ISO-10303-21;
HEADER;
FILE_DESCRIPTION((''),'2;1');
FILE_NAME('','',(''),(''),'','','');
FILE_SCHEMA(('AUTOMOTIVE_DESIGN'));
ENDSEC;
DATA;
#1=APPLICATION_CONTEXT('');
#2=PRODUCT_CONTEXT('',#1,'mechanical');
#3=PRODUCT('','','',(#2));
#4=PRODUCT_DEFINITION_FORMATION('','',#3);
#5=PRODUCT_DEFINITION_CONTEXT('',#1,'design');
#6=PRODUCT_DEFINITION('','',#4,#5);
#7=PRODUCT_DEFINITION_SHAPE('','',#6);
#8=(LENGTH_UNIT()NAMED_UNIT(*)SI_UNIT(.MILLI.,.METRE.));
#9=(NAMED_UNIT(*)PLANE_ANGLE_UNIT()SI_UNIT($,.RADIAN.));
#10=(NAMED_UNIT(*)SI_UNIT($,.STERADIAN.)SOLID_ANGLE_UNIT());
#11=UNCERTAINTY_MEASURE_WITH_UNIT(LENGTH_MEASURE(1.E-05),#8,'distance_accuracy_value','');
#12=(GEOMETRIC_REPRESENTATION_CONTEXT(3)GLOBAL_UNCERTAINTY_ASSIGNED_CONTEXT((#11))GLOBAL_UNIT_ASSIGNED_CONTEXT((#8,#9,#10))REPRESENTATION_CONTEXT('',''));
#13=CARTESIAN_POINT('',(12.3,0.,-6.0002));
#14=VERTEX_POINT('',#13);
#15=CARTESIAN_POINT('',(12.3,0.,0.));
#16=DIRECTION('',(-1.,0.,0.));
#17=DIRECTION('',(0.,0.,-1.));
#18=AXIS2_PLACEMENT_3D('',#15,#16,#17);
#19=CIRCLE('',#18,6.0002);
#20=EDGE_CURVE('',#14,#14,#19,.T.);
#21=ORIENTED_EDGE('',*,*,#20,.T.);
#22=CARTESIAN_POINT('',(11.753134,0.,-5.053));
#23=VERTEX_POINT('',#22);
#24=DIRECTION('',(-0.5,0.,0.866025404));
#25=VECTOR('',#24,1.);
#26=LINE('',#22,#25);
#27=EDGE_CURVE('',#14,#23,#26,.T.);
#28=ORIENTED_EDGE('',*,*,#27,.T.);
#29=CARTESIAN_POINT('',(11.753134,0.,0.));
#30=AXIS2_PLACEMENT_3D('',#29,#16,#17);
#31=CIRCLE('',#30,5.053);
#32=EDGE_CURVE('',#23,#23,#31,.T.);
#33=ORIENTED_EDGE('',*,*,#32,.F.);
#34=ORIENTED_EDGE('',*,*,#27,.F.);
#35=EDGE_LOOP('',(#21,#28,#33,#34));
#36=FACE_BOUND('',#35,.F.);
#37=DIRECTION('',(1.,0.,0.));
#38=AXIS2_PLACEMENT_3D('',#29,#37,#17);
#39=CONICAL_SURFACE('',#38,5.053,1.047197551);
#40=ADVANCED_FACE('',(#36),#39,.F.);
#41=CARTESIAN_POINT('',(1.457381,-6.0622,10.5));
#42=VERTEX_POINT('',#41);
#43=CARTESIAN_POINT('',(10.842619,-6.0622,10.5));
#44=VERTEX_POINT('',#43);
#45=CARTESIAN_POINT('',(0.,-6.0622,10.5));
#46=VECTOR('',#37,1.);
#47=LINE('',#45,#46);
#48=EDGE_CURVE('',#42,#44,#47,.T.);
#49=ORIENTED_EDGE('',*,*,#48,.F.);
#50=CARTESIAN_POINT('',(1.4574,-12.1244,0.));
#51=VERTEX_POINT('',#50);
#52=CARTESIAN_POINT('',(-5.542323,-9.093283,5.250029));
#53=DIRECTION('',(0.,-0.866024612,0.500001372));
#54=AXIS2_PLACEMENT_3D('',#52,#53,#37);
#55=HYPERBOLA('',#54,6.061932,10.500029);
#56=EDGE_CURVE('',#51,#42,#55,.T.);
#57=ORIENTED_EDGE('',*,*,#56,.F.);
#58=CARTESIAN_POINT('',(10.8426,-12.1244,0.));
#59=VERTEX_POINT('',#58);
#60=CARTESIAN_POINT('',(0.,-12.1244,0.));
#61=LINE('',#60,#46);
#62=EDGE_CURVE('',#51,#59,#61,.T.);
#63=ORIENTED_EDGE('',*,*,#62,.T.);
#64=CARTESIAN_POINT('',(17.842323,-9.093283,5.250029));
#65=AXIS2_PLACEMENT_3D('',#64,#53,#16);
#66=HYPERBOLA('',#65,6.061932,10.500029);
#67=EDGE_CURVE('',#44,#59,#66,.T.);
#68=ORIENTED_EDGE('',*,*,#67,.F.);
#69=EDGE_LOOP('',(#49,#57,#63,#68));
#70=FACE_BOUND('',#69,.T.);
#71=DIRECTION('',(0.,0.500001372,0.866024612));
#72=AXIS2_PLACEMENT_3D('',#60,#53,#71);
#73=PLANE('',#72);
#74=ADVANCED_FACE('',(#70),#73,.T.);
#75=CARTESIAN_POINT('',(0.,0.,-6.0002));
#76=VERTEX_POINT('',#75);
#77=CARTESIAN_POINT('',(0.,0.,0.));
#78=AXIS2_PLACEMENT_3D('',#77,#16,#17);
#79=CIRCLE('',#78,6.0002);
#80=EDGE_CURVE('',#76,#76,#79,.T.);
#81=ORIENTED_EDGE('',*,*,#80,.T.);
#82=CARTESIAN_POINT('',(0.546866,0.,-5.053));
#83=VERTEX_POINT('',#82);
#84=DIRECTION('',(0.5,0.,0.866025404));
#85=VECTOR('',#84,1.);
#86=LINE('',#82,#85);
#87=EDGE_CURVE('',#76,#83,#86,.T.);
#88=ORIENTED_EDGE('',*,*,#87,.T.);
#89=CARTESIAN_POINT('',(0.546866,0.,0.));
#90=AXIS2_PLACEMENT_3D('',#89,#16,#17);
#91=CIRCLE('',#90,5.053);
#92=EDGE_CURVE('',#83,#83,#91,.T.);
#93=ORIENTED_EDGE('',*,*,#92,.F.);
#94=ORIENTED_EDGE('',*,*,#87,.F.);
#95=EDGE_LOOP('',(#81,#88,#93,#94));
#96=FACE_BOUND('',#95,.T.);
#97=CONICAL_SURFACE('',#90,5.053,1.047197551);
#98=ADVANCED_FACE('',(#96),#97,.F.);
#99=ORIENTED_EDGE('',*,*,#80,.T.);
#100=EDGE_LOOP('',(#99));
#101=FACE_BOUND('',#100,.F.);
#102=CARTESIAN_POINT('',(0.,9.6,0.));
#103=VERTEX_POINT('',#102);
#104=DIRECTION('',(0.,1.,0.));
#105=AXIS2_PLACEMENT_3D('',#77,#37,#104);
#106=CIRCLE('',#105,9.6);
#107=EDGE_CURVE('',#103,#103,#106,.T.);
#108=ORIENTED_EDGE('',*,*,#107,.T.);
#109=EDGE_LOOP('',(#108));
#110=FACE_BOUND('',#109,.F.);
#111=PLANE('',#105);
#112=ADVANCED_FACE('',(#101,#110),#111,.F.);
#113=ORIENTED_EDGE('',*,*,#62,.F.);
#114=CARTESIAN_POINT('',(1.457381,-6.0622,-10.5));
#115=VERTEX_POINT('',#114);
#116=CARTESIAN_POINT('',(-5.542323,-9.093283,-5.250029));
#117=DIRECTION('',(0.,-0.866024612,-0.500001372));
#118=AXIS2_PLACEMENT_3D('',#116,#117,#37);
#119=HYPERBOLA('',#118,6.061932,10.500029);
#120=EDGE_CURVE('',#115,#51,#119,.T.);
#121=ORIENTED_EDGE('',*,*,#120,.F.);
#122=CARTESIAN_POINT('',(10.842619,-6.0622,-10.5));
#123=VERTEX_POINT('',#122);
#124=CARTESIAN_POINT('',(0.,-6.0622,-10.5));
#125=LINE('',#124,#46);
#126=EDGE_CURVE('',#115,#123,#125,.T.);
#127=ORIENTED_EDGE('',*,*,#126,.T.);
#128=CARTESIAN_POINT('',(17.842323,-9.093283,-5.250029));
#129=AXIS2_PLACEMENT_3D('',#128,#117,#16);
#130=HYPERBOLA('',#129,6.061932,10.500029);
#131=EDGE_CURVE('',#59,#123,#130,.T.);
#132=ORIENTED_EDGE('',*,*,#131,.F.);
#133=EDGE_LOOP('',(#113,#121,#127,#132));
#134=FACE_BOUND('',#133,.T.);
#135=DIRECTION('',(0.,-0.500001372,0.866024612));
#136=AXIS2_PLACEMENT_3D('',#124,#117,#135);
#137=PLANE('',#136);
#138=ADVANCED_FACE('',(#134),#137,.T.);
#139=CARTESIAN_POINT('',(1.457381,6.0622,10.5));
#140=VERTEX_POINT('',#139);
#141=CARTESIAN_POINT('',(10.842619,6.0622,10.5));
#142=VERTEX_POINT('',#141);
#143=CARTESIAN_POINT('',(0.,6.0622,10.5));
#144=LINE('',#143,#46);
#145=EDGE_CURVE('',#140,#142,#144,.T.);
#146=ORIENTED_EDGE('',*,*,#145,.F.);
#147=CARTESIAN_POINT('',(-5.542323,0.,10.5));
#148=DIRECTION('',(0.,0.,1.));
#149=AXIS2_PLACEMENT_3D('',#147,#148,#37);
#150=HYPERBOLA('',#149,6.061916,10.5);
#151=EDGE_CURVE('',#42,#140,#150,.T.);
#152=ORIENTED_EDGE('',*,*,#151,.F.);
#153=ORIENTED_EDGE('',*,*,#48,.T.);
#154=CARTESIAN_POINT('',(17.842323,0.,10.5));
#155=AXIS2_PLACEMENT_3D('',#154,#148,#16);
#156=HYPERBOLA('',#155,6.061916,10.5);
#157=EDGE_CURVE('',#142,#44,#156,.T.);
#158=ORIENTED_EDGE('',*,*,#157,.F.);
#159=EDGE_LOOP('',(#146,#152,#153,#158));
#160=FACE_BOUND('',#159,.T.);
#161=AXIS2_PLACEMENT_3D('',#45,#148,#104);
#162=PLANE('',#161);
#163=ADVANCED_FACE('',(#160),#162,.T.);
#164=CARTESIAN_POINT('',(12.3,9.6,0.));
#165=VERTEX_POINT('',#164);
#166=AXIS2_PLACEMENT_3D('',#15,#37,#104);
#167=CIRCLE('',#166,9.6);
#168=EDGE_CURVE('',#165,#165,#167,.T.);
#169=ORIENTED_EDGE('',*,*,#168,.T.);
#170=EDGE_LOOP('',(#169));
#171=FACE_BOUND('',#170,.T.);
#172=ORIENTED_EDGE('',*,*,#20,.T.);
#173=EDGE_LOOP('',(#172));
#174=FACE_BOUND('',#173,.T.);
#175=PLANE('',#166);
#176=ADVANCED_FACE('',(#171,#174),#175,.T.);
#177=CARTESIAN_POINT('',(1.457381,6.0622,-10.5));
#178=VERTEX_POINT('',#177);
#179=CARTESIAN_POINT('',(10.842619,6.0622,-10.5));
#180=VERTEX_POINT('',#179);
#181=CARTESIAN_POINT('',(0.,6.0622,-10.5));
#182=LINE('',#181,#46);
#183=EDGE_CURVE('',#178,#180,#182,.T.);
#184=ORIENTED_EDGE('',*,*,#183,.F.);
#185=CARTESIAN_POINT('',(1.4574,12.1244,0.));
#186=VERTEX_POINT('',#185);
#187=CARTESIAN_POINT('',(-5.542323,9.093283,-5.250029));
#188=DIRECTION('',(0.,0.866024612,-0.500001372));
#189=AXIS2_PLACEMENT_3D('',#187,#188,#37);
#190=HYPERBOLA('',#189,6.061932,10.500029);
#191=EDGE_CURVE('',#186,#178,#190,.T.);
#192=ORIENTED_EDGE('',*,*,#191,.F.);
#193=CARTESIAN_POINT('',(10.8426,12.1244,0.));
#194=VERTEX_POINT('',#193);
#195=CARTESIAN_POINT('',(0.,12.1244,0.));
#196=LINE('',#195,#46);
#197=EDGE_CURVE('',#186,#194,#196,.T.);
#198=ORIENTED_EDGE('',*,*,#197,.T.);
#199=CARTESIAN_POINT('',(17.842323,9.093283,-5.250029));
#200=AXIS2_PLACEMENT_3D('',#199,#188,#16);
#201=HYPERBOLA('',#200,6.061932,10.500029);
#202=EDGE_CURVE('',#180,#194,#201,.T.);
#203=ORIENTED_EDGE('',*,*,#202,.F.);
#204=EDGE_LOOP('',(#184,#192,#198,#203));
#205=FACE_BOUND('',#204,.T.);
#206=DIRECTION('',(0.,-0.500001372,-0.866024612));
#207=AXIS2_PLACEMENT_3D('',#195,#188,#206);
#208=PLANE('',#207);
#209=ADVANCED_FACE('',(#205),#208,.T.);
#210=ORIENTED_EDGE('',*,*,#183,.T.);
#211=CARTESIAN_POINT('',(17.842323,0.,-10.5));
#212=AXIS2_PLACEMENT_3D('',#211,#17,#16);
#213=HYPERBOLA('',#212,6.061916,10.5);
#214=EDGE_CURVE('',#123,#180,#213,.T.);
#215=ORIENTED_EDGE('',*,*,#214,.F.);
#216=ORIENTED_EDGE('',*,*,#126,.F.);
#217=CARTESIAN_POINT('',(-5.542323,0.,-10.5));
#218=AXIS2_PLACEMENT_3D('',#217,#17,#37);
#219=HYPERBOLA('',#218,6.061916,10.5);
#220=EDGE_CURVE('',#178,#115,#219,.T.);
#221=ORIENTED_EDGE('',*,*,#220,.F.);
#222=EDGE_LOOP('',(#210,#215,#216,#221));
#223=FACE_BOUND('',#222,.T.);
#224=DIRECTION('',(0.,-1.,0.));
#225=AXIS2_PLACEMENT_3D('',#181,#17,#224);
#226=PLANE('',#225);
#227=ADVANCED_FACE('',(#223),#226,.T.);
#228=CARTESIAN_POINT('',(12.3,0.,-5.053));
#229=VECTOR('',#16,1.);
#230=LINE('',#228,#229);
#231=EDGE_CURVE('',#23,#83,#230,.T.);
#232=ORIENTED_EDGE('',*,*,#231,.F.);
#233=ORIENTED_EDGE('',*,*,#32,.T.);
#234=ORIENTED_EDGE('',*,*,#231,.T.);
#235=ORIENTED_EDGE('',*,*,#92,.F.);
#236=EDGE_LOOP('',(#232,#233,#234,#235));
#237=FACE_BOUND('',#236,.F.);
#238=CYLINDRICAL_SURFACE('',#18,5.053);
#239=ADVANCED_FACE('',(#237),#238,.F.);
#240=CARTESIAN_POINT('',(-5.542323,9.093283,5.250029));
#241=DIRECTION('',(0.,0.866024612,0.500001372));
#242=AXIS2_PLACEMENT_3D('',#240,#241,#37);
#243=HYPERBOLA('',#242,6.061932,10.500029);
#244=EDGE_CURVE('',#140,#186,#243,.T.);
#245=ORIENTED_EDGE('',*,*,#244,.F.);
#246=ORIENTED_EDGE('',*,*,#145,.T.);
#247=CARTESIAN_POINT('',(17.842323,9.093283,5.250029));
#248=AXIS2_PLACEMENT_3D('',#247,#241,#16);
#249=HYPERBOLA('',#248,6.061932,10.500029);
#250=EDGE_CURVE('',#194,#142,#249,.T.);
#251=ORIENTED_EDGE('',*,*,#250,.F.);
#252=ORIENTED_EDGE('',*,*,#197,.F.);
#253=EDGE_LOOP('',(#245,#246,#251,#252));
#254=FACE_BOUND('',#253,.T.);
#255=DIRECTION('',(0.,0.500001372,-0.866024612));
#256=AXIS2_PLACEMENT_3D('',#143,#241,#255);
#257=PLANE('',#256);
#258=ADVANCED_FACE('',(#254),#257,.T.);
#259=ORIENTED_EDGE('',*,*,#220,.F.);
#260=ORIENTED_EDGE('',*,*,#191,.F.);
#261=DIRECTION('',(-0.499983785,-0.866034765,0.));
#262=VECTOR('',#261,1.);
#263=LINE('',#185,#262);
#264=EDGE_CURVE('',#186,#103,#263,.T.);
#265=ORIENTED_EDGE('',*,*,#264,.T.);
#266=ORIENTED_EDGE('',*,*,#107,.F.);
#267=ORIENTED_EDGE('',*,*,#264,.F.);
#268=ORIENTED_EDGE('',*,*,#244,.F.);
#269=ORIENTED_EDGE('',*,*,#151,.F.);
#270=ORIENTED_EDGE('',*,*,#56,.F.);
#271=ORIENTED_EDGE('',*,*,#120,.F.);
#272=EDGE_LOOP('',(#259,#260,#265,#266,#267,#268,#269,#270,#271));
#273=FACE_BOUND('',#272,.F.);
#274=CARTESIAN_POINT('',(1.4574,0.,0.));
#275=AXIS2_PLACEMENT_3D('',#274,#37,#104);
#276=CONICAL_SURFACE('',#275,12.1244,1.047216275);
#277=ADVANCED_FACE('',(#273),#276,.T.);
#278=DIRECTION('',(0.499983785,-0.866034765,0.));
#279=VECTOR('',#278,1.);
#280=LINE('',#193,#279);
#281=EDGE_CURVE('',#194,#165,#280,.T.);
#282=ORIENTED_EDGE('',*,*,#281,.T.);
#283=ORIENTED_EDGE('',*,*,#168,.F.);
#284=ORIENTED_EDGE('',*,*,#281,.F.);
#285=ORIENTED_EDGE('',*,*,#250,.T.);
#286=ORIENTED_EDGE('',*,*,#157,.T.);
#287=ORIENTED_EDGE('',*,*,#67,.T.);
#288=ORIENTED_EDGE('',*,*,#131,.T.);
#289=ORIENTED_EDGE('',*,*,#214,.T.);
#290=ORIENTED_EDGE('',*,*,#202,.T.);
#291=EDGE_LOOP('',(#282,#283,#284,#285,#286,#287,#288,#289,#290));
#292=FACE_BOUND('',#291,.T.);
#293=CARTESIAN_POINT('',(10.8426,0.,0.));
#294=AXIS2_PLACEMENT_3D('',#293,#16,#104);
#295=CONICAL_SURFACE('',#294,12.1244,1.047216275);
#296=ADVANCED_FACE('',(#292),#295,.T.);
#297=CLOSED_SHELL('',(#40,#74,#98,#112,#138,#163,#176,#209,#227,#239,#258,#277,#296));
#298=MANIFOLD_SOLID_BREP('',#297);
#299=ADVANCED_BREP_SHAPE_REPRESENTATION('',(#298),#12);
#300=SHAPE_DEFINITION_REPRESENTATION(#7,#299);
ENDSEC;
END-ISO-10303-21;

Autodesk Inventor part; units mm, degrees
ref_plane "YZ Plane" through (0, 0, 0) normal (1, 0, 0) x (0, 1, 0)
ref_plane "XZ Plane" through (0, 0, 0) normal (0, 1, 0) x (-1, 0, 0)
sketch "Sketch1" plane through (0, 0, 0) normal (1, 0, 0) x (0, 1, 0)
  line L0 (-12.1244, 0) -> (-6.0622, 10.5)
  line L1 (-6.0622, 10.5) -> (6.0622, 10.5)
  line L2 (6.0622, 10.5) -> (12.1244, 0)
  line L3 (12.1244, 0) -> (6.0622, -10.5)
  line L4 (6.0622, -10.5) -> (-6.0622, -10.5)
  line L5 (-6.0622, -10.5) -> (-12.1244, 0)
  point P0 (0, 0)
  point P1 (0, 0)
  dimension "d0" = 24.2487
extrude "Body" add sketch "Sketch1" along normal blind 12.3
sketch "Sketch2" plane through (0, 0, 0) normal (0, 0, 1) x (1, 0, 0)
  line L0 (0, 6.0622) -> (0, 12.1244) projected
  line L1 (0, 12.1244) -> (12.3, 12.1244) projected
  line L2 (12.3, 6.0622) -> (12.3, 12.1244) projected
  line L3 (-2.46, 0) -> (14.76, 0) projected
  line L4 (1.4574, 12.1244) -> (0, 9.6)
  line L5 (10.8426, 12.1244) -> (12.3, 9.6)
  dimension "d3" = 30
  dimension "d4" = 30
  dimension "d5" = 19.2
  dimension "d6" = 19.2
revolve "Chamfer1" cut sketch "Sketch2" angle 360 about axis through (-10, 0, 0) along (1, 0, 0)
sketch "Sketch3" plane through (12.3, 0, 0) normal (1, 0, 0) x (0, 0, -1)
  arc A0 (-0.625, -1.0825) -> (0.625, -1.0825) centre (0, 0) ccw projected
hole "Thread" at (12.3, 0, 0) direction (-1, 0, 0) diameter 10.106 end through all thread size "M12x1.75" class "6H" standard "ISO Metric profile"
chamfer "Chamfer2" distance 0.9472 angle 30 1 edges at (12.3, 0, 5.053) measured on face at (12.3, 7.9791, -0.9688)
chamfer "Chamfer3" distance 0.9472 angle 30 1 edges at (0, 0, 5.053) measured on face at (0, 7.9791, -0.9688)
ref_plane "Work Plane1" through (-22.2692, 0, 0) normal (0, -0.866, -0.5) x (1, 0, 0)
equation "\"d0\" = 1.1547 * SW"
equation "\"d1\" = KOH"
equation "\"d8\" = -0.5 * GD1 + 0.5 * NND"
equation "\"d40\" = -0.5 * GD1 + 0.5 * NND"
equation "\"d10\" = -0.5 * GD1 + 0.5 * NND"
equation "\"d41\" = -0.5 * GD1 + 0.5 * NND"
equation "\"d3\" = ANG1"
equation "\"d4\" = ANG2"
equation "\"d5\" = SW0"
equation "\"d6\" = SW01"
equation "\"ANG1\" = 30deg"
equation "\"ANG2\" = 30deg"
equation "\"NND\" = 12"
equation "\"KOH\" = 12.3"
equation "\"SW\" = 21"
equation "\"SW0\" = 19.2"
equation "\"SW01\" = SW0"
equation "\"GUL\" = 0.541266 * PTC"
equation "\"THREADDIA\" = 12"
equation "\"TOA\" = 30deg"
equation "\"PTC\" = 1.75"
equation "\"E0\" = 1.155 * SW"
equation "\"GAL\" = 0.541266 * PTC"
equation "\"GD1\" = 10.105569"
properties part number "ISO 4775 - M12" material "Steel"
